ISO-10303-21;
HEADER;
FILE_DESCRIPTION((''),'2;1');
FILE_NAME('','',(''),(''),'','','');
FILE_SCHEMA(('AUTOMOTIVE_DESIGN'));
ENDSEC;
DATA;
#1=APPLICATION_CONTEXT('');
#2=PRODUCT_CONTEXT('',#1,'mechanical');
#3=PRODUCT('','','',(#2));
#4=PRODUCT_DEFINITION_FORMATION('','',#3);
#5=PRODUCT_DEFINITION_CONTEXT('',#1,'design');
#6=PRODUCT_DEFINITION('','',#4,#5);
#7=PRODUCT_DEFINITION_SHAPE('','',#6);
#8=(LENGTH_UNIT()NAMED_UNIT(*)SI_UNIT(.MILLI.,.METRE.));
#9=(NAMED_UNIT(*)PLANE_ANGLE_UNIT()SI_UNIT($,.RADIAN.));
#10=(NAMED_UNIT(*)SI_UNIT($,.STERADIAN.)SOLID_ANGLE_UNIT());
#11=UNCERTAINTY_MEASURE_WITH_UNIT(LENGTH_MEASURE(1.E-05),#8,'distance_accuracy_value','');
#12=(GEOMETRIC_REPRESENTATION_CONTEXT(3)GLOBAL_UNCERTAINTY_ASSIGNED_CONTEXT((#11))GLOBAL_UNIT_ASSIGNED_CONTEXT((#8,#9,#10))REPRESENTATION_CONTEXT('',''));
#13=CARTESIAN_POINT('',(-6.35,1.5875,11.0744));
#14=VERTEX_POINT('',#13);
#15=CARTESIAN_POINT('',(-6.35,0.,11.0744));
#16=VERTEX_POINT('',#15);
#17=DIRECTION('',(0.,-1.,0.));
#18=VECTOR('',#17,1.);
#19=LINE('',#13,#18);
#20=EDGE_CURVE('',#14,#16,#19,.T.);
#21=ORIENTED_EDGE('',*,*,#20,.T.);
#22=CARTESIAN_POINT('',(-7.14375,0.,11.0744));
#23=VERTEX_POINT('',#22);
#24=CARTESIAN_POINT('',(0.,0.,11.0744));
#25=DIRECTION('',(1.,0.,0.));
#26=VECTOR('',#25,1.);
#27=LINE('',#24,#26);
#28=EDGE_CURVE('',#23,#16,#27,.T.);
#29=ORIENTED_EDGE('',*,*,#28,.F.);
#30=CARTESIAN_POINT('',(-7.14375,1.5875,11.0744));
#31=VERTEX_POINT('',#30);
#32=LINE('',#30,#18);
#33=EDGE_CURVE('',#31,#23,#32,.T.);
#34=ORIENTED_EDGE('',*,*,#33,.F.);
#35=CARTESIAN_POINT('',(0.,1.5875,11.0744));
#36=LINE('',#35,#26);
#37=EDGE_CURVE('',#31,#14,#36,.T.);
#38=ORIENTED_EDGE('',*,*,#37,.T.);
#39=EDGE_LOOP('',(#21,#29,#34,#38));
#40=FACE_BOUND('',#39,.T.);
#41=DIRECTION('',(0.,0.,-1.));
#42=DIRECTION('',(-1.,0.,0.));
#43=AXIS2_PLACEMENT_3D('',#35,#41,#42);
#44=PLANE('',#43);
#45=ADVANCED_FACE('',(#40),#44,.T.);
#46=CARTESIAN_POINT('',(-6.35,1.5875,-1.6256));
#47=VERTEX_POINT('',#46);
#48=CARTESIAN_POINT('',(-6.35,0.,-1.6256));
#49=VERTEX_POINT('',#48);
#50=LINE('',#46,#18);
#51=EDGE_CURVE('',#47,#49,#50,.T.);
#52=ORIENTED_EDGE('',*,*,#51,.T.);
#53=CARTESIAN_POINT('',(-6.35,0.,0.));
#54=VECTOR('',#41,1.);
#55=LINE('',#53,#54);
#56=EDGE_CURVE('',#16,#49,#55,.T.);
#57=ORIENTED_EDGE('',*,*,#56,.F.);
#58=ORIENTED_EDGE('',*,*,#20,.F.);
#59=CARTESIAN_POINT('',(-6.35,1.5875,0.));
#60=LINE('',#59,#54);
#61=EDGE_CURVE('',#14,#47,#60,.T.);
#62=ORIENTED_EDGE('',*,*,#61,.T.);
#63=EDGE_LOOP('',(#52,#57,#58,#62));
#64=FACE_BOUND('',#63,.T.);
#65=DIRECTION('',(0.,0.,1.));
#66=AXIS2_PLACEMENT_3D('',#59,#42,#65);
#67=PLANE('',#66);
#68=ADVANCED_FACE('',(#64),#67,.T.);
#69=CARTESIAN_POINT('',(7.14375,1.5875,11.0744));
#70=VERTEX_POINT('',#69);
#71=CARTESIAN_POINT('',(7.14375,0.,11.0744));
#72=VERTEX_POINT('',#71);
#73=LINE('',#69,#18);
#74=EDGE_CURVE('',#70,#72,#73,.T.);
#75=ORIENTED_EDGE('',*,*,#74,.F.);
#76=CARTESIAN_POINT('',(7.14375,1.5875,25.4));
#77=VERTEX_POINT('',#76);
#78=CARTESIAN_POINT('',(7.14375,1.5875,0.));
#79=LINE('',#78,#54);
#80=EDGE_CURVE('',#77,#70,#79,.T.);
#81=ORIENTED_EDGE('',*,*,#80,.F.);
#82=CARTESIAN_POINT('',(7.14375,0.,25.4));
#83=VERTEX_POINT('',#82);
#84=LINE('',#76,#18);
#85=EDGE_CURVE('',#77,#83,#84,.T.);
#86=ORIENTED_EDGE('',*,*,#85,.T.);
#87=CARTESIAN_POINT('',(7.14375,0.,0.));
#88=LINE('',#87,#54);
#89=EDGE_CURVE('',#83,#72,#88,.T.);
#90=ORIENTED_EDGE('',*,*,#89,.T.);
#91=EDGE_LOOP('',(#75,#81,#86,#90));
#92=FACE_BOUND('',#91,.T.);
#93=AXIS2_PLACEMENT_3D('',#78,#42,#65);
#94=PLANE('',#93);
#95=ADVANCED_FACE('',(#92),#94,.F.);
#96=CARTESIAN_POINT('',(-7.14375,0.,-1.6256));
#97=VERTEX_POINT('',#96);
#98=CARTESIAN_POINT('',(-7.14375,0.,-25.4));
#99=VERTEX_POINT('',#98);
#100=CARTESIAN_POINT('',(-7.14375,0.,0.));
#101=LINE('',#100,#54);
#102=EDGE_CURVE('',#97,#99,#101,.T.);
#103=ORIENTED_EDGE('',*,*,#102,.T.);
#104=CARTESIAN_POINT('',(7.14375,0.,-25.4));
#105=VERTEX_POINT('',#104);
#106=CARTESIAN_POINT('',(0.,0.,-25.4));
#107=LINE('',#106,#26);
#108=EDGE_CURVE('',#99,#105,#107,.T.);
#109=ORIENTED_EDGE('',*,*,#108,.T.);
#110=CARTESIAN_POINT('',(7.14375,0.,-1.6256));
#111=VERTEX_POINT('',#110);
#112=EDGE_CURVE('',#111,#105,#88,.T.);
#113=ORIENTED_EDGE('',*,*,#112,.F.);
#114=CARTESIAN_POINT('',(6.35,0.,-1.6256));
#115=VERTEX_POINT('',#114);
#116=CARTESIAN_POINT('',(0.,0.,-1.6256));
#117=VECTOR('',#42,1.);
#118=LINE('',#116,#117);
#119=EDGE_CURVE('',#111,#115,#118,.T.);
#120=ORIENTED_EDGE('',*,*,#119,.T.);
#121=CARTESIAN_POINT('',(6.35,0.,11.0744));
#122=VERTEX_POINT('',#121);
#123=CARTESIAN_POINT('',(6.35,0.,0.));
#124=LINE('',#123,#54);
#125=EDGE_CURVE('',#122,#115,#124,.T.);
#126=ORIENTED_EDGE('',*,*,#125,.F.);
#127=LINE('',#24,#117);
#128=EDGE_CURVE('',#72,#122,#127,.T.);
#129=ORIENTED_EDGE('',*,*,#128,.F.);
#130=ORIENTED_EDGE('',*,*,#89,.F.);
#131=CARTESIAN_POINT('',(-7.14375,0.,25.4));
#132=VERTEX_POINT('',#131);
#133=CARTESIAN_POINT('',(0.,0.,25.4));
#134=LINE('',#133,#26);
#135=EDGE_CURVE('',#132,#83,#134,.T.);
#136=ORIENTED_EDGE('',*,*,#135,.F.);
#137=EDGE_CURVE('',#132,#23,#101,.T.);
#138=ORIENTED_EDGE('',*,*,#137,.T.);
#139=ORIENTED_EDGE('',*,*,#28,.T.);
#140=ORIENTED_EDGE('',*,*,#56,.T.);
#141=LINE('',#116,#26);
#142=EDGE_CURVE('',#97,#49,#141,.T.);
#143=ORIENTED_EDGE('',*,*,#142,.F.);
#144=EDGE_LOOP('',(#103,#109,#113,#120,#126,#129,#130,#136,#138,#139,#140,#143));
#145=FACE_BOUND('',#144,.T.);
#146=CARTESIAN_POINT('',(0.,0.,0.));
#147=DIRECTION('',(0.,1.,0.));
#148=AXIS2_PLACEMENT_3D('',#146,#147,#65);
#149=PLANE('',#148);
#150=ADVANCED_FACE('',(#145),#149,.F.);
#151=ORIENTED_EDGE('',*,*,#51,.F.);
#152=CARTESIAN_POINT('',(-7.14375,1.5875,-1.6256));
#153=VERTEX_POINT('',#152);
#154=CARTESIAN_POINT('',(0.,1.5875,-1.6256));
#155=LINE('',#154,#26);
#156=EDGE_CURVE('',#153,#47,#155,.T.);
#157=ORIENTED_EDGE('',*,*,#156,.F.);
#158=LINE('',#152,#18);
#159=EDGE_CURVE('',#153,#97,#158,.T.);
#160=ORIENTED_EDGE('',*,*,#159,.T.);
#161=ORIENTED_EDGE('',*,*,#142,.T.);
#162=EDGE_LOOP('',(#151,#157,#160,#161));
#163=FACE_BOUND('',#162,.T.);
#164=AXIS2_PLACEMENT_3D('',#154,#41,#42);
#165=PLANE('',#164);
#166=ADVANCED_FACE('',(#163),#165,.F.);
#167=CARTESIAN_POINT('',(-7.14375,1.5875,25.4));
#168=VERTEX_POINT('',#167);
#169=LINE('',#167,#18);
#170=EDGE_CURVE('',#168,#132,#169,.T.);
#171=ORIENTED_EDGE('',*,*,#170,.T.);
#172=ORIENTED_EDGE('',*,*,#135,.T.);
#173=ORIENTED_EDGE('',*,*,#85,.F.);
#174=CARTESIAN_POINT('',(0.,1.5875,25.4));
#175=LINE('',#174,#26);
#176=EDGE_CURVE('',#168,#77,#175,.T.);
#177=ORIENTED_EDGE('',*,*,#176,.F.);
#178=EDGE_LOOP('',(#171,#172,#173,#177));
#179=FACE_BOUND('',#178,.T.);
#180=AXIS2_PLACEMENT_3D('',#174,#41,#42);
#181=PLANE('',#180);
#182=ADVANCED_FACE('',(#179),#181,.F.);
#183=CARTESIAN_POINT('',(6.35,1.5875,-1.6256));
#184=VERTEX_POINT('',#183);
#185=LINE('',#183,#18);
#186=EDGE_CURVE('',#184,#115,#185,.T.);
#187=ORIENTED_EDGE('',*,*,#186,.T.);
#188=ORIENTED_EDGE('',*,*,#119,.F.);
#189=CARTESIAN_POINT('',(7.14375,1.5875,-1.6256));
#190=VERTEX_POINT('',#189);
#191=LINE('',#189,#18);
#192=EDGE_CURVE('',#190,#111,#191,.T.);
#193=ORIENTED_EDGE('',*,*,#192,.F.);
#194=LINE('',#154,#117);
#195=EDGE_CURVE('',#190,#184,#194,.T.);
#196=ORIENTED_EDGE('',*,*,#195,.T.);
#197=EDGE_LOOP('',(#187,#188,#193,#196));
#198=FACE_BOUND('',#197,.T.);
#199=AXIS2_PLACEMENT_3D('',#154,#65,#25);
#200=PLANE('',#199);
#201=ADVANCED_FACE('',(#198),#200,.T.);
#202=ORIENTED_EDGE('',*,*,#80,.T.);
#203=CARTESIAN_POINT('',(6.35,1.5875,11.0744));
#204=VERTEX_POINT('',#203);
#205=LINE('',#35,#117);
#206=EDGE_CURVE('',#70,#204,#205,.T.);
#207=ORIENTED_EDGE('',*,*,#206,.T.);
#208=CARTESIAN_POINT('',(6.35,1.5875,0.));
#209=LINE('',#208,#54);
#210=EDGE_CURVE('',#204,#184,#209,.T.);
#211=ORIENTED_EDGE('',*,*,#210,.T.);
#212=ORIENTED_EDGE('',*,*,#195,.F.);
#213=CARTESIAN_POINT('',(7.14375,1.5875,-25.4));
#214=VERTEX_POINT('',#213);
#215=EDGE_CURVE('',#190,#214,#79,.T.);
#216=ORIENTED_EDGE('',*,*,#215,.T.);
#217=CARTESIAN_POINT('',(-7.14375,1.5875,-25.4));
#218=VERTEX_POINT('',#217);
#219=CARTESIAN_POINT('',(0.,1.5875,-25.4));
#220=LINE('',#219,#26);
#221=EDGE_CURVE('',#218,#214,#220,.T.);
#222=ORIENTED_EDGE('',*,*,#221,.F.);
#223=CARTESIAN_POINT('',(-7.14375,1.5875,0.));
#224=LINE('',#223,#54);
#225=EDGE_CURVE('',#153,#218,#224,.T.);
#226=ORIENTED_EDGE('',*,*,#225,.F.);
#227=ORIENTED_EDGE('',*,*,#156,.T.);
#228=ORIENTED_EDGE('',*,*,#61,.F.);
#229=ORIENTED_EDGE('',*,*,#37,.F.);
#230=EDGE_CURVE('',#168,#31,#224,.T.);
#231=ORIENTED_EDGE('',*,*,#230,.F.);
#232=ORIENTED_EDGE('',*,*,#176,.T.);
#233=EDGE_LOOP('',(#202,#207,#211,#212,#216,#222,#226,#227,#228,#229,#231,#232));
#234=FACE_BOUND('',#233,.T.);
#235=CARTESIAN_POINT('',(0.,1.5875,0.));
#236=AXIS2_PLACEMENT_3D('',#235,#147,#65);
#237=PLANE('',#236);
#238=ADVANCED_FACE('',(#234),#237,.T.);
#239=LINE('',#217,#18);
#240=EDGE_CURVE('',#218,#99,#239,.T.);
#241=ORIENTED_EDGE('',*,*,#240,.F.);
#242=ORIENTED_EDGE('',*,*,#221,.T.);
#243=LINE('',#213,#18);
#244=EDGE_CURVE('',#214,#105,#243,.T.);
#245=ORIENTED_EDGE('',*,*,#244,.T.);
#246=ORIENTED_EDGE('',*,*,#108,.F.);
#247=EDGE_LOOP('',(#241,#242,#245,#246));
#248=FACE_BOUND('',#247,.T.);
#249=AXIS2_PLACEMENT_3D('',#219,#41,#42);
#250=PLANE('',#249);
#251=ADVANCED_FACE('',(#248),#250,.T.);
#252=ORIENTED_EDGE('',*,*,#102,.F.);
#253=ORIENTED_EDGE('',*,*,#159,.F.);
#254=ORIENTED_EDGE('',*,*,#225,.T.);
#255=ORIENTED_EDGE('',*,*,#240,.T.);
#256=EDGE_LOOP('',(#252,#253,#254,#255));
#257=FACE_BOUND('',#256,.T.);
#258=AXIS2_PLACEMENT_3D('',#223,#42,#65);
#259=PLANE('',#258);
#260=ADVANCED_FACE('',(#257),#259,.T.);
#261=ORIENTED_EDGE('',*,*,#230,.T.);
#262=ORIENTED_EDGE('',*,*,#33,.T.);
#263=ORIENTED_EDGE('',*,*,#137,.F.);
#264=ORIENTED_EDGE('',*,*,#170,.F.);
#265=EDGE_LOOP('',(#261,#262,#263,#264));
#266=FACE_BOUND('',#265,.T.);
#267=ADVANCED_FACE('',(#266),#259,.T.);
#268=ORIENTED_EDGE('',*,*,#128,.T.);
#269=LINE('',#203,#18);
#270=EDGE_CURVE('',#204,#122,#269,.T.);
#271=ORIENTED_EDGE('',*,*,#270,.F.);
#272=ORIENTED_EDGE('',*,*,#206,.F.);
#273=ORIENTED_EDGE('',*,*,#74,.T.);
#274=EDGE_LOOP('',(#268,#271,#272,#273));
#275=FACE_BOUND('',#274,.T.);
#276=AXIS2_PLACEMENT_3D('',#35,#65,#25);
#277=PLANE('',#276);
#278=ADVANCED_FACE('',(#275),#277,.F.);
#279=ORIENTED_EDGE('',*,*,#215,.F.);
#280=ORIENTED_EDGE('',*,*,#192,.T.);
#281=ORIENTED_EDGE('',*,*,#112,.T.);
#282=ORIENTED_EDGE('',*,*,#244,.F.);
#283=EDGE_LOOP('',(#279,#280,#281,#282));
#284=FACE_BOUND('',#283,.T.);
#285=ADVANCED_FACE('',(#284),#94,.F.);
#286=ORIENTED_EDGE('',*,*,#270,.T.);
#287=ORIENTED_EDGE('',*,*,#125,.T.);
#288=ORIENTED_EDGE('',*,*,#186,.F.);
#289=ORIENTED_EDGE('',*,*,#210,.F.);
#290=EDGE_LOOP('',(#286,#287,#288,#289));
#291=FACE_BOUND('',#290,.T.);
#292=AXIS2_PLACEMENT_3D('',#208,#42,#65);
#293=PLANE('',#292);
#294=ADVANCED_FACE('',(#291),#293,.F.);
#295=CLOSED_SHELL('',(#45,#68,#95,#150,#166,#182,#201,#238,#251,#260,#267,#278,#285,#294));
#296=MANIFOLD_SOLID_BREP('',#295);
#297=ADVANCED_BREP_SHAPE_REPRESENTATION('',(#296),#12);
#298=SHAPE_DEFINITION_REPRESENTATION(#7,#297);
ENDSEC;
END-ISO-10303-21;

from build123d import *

# Parameters (mm, degrees)
BOSS_EXTRUDE1_DEPTH = 1.5875


with BuildPart() as part:
    # Sketch1 → Boss-Extrude1 (new body)
    with BuildSketch(Plane(origin=(0, 0, 0), x_dir=(1, 0, 0), z_dir=(0, 1, 0))):
        Polygon((-7.14375, -11.0744), (-7.14375, -25.4), (7.14375, -25.4), (7.14375, -11.0744), (6.35, -11.0744), (6.35, 1.6256), (7.14375, 1.6256), (7.14375, 25.4), (-7.14375, 25.4), (-7.14375, 1.6256), (-6.35, 1.6256), (-6.35, -11.0744), align=None)
    extrude(amount=BOSS_EXTRUDE1_DEPTH)


solid = part.part
